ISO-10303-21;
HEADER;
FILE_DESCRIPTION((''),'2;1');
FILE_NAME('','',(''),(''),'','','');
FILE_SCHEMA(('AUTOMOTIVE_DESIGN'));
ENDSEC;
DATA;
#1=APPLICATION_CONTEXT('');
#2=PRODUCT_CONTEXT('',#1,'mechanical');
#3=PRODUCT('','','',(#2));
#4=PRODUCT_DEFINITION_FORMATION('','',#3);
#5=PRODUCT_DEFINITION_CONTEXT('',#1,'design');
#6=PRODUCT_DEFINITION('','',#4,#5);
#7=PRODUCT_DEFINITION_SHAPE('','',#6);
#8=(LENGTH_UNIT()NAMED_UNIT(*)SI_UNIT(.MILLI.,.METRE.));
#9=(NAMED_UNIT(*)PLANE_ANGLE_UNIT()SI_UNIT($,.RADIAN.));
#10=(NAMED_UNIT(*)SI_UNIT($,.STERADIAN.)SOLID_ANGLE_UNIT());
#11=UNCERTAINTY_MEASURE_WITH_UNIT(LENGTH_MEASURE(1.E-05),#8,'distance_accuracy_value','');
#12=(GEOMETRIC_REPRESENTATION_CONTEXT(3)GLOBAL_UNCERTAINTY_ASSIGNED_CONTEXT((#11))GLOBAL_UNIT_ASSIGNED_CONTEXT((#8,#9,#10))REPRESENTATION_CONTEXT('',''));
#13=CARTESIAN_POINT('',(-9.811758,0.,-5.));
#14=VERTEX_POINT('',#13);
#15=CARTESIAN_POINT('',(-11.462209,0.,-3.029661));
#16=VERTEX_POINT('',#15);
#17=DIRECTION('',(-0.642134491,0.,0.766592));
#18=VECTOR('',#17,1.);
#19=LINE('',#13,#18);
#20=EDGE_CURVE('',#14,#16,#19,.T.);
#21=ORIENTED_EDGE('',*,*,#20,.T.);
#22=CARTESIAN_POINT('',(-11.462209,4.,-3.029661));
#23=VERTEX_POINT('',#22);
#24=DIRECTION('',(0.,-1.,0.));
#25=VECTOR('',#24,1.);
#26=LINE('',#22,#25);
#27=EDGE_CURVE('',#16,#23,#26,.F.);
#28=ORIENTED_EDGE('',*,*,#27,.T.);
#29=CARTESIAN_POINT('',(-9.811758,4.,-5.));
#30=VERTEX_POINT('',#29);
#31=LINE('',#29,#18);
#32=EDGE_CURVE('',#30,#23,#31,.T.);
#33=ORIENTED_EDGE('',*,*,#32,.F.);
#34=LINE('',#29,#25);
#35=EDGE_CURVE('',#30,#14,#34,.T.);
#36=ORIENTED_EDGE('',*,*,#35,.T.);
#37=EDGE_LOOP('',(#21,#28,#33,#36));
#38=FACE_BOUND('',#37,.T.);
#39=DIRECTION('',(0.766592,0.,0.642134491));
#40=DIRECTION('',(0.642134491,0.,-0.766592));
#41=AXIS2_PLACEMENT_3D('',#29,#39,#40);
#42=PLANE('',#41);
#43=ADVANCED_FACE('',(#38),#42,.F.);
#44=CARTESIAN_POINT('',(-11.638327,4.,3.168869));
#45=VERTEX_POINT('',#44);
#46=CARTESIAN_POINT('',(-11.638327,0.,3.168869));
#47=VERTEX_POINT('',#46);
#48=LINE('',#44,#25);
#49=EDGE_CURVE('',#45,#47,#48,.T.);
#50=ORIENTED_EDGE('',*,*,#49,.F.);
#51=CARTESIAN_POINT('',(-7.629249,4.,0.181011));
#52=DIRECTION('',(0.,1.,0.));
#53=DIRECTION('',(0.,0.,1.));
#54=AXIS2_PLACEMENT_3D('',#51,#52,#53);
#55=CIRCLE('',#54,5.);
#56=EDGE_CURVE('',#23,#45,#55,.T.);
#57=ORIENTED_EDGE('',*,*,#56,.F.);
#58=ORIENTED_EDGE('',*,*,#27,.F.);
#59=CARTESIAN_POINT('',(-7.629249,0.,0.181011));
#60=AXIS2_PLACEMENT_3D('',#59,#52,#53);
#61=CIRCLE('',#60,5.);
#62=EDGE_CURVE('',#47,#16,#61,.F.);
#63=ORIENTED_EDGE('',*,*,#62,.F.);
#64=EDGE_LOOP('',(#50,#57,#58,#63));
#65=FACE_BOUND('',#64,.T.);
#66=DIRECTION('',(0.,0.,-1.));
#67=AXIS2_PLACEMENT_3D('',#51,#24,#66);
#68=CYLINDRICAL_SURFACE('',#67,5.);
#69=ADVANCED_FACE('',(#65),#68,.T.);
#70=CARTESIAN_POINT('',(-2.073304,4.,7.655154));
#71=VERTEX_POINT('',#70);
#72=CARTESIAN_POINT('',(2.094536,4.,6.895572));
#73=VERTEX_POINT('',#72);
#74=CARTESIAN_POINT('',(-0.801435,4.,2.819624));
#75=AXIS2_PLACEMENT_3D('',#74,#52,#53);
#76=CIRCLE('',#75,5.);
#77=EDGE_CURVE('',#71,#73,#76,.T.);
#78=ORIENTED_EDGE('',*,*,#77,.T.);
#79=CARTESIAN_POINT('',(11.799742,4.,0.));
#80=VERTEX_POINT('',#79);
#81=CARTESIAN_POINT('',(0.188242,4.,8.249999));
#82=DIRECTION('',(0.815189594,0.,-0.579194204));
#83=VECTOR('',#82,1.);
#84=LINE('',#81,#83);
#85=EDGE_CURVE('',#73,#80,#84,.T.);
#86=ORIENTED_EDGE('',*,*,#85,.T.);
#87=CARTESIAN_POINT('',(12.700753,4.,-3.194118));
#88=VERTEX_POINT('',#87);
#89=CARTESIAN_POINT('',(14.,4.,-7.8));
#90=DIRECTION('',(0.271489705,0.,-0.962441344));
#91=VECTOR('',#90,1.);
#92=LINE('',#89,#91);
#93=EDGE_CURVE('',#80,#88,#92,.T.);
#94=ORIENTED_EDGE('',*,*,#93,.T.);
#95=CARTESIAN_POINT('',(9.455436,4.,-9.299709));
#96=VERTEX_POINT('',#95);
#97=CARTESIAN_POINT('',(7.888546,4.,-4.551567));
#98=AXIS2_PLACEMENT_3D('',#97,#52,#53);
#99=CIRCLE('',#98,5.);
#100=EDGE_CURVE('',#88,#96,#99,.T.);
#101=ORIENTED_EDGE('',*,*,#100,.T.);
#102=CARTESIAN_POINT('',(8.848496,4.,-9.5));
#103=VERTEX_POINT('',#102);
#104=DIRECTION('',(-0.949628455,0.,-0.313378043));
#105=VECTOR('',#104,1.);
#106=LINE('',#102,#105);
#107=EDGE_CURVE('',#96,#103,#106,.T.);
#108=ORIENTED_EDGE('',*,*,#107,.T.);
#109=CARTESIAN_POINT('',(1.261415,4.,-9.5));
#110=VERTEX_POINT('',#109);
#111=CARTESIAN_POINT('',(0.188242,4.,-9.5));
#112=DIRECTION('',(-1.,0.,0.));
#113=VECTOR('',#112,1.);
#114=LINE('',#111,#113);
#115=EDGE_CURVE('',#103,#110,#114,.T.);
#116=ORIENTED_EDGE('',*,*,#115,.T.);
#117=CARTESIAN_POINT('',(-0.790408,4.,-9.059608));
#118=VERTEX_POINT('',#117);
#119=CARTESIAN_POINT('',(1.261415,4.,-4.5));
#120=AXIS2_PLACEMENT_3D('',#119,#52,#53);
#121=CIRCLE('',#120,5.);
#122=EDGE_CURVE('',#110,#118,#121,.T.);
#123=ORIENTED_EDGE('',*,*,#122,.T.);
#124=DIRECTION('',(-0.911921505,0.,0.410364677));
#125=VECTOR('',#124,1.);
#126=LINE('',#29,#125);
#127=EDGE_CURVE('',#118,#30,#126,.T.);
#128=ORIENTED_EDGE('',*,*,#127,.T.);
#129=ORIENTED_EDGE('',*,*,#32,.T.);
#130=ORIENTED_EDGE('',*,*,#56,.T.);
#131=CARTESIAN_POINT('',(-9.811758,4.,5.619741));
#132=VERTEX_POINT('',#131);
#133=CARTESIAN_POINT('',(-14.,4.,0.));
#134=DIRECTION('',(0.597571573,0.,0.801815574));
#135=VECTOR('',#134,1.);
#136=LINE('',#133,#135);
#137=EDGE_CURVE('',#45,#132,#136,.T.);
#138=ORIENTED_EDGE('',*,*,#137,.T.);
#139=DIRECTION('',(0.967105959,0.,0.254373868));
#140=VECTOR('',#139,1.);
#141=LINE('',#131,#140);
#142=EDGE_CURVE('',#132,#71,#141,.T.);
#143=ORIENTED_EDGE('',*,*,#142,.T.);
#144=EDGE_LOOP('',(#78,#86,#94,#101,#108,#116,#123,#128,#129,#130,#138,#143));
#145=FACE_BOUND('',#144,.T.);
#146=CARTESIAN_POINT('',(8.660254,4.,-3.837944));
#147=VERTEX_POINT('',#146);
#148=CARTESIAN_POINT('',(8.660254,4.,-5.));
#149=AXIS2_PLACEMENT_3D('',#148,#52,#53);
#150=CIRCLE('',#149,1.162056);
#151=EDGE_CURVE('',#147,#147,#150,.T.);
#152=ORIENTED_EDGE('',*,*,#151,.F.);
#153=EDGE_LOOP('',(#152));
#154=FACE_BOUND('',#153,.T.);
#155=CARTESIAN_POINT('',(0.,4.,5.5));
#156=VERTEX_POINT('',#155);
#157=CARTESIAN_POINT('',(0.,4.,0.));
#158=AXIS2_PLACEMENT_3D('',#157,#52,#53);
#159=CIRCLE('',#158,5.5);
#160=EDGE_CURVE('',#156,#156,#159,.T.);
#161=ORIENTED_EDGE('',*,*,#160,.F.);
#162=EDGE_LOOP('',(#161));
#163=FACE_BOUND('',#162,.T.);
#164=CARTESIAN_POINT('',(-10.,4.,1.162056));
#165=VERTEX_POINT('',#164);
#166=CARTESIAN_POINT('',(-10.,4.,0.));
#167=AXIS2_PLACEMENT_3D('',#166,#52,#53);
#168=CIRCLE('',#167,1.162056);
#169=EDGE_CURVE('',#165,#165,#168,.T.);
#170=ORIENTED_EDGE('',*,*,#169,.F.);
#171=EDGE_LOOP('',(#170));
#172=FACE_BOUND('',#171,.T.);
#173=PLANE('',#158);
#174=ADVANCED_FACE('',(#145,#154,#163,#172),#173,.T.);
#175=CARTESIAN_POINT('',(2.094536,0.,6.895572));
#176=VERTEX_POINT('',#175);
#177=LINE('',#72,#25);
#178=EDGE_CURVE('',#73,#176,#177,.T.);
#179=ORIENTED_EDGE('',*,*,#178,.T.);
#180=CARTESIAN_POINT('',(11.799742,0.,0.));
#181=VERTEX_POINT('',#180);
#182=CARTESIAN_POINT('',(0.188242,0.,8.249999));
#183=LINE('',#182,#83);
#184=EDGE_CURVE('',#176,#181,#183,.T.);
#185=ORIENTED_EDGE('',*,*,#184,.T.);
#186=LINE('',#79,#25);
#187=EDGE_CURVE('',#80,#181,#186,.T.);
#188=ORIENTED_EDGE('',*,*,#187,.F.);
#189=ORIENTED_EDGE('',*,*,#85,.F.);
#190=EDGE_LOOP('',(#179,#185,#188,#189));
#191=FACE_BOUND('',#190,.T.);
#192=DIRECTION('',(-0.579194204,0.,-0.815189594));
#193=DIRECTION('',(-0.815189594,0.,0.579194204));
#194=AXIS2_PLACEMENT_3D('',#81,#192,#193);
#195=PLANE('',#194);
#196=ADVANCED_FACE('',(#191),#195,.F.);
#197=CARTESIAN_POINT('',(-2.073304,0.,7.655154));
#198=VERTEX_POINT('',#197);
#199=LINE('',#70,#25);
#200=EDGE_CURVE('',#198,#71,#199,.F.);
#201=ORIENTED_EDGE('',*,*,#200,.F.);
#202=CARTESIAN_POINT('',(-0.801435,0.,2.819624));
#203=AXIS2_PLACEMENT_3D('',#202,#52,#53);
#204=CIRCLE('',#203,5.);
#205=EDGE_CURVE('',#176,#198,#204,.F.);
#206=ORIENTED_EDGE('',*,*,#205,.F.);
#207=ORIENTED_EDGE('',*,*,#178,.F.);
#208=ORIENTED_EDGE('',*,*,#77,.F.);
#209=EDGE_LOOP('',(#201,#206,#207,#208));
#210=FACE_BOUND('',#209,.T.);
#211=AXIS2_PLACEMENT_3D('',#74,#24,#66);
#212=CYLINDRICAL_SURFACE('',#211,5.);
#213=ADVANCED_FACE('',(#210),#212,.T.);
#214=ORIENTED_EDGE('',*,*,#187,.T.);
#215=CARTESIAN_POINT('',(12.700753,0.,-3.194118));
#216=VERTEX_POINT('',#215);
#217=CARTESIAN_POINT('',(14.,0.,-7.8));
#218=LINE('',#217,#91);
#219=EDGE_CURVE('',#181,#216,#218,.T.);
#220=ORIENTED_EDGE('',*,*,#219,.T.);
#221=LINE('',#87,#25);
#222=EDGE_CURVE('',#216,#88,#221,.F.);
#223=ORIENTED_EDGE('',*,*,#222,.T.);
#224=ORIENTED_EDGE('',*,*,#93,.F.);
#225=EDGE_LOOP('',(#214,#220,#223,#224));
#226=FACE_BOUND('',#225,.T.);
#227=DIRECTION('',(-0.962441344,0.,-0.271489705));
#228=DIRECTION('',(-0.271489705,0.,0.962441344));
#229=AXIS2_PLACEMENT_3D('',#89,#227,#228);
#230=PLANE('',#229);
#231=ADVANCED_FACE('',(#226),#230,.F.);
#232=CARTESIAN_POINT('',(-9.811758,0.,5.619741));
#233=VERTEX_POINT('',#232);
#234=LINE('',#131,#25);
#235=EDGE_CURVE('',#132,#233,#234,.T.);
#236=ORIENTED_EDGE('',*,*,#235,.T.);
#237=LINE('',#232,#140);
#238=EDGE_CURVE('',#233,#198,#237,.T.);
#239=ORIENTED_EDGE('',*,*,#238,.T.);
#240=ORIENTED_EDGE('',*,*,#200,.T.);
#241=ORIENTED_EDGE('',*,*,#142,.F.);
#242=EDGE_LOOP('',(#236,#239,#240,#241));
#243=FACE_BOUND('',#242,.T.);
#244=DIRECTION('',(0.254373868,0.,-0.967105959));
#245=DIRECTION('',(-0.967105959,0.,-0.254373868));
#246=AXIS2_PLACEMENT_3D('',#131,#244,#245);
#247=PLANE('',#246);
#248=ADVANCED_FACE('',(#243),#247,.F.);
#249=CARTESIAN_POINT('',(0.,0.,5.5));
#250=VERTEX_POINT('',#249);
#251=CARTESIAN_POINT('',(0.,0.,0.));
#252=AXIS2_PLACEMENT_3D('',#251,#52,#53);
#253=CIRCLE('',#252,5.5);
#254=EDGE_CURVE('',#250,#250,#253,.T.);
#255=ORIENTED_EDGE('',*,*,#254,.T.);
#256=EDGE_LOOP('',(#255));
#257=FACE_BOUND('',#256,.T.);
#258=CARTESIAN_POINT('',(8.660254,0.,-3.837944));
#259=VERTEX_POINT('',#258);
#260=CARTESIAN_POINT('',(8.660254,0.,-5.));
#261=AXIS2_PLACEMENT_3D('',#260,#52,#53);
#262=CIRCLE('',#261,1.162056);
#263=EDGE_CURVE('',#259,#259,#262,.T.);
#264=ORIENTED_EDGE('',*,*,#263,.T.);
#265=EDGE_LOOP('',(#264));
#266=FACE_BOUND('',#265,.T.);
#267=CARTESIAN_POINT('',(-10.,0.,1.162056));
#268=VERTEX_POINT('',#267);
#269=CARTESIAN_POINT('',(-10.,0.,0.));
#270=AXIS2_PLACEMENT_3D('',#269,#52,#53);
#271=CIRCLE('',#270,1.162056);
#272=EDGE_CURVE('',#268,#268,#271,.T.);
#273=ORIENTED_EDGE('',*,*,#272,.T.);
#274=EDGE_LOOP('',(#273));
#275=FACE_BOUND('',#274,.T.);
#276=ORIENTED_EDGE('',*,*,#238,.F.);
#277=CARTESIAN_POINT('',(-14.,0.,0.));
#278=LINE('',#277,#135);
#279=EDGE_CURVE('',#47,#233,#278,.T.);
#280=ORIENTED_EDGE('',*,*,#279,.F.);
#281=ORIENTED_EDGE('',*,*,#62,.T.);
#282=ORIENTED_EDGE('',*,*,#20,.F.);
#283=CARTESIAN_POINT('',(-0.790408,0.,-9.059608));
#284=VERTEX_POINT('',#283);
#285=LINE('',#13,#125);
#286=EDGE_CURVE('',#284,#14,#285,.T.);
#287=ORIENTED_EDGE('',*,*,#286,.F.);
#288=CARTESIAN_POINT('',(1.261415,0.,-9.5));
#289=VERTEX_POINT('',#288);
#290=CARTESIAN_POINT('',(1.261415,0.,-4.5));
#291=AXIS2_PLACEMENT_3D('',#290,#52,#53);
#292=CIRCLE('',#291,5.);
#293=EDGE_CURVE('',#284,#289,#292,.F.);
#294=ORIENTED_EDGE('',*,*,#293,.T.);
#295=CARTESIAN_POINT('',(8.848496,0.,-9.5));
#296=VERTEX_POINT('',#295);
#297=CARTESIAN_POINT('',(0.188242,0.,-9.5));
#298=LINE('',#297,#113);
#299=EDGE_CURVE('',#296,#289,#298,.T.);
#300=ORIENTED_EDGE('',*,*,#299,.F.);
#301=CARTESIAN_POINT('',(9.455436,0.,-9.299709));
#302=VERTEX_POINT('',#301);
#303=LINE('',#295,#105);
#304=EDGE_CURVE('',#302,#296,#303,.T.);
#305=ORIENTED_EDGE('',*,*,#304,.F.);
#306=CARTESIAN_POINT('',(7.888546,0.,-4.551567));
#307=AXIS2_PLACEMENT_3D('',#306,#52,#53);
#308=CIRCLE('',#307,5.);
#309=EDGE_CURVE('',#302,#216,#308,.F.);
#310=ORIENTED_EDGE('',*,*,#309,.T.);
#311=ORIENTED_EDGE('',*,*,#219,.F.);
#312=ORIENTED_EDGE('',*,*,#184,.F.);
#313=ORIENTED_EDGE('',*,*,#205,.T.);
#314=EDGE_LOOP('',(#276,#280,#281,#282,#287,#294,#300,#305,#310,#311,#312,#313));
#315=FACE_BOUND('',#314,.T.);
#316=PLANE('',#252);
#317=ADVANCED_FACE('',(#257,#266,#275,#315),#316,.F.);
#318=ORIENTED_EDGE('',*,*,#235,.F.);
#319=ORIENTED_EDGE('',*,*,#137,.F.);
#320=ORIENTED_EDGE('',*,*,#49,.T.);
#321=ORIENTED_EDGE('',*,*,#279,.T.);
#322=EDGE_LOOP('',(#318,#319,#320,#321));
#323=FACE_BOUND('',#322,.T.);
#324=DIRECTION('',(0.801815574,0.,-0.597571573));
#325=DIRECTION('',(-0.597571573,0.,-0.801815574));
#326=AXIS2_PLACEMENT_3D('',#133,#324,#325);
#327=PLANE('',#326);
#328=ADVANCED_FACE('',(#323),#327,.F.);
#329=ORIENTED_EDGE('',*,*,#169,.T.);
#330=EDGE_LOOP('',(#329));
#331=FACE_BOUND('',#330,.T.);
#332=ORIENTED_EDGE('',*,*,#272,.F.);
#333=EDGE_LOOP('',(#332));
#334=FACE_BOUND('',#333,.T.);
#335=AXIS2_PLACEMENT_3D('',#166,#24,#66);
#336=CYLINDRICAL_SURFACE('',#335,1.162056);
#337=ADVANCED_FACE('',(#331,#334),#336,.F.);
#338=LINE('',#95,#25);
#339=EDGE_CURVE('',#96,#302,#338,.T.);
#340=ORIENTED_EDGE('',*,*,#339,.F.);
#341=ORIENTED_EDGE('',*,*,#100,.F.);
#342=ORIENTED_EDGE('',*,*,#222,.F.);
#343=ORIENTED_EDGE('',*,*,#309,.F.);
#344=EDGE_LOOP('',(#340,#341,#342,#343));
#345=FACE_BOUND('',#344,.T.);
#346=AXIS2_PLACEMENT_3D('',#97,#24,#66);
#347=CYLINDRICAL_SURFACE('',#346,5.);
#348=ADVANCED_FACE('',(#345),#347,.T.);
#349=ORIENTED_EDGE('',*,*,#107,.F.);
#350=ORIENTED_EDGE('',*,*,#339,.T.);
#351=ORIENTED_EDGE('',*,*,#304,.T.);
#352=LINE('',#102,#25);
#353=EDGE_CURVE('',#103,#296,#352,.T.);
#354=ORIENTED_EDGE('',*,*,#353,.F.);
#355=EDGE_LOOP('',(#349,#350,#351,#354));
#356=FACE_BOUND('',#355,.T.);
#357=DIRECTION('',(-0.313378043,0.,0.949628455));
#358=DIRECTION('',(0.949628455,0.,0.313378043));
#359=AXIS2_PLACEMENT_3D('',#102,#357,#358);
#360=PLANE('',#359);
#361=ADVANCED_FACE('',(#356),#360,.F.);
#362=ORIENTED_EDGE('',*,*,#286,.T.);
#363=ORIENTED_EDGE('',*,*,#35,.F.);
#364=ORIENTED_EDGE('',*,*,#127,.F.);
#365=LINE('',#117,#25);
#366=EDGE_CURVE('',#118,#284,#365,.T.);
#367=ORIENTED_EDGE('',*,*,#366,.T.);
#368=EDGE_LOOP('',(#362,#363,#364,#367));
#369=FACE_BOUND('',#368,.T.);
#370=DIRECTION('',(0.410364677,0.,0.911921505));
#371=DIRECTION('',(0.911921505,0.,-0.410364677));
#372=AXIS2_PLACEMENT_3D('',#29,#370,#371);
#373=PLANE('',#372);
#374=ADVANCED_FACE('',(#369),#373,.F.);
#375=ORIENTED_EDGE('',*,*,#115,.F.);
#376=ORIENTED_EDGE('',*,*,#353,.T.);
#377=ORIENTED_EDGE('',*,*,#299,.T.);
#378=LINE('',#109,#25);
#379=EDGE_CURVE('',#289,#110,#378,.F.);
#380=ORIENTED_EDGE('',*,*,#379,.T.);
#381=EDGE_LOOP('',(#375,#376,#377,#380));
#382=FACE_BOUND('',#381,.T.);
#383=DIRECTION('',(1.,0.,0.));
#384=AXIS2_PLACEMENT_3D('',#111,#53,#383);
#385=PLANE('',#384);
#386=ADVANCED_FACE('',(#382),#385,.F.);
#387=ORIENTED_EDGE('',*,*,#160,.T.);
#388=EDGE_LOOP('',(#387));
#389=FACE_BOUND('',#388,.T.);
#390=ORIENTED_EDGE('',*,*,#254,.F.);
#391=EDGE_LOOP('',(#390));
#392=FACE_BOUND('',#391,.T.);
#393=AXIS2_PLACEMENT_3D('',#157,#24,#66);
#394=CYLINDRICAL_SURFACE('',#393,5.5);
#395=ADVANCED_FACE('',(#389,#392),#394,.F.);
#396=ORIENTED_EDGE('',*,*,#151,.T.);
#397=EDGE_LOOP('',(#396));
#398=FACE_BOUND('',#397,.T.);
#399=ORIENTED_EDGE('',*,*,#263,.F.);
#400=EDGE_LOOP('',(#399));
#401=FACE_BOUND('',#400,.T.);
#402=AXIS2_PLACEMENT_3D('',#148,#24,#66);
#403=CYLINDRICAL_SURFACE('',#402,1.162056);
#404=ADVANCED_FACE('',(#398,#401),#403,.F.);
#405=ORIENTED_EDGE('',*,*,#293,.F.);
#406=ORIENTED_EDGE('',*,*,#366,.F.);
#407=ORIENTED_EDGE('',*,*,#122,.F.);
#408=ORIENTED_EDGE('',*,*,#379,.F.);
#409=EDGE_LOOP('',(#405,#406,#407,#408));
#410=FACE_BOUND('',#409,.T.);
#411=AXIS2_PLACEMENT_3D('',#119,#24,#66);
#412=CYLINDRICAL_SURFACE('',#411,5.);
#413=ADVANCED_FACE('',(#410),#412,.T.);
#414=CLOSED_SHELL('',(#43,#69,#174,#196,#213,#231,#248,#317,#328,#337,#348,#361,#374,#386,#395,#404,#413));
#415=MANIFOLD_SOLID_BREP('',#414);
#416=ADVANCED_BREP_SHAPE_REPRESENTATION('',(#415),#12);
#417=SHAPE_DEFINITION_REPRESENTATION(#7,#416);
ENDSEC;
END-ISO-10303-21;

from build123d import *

# Parameters (mm, degrees)
SKETCH1_R           = 5.5
SKETCH1_R_2         = 1.16205649
BOSS_EXTRUDE1_DEPTH = 4
FILLET1_R           = 5


with BuildPart() as part:
    # Sketch1 → Boss-Extrude1 (new body)
    with BuildSketch(Plane(origin=(0, 0, 0), x_dir=(1, 0, 0), z_dir=(0, 1, 0))):
        Polygon((-9.811758465, -5.619740701), (0.188241535, -8.249999209), (11.79974155, 0), (14, 7.8), (8.848495573, 9.5), (0.188241535, 9.5), (-9.811758465, 5), (-14, 0), align=None)
        Circle(SKETCH1_R, mode=Mode.SUBTRACT)
        with Locations((-10, 0)):
            Circle(SKETCH1_R_2, mode=Mode.SUBTRACT)
        with Locations((8.660254038, 5)):
            Circle(SKETCH1_R_2, mode=Mode.SUBTRACT)
    extrude(amount=BOSS_EXTRUDE1_DEPTH)

    # Fillet1
    fillet1_edges = [part.edges().sort_by_distance(p)[0] for p in [
        (-14, 2, 0),
        (0.188241535, 2, -9.5),
        (14, 2, -7.8),
        (0.188241535, 2, 8.249999209),
    ]]
    fillet(fillet1_edges, radius=FILLET1_R)


solid = part.part
